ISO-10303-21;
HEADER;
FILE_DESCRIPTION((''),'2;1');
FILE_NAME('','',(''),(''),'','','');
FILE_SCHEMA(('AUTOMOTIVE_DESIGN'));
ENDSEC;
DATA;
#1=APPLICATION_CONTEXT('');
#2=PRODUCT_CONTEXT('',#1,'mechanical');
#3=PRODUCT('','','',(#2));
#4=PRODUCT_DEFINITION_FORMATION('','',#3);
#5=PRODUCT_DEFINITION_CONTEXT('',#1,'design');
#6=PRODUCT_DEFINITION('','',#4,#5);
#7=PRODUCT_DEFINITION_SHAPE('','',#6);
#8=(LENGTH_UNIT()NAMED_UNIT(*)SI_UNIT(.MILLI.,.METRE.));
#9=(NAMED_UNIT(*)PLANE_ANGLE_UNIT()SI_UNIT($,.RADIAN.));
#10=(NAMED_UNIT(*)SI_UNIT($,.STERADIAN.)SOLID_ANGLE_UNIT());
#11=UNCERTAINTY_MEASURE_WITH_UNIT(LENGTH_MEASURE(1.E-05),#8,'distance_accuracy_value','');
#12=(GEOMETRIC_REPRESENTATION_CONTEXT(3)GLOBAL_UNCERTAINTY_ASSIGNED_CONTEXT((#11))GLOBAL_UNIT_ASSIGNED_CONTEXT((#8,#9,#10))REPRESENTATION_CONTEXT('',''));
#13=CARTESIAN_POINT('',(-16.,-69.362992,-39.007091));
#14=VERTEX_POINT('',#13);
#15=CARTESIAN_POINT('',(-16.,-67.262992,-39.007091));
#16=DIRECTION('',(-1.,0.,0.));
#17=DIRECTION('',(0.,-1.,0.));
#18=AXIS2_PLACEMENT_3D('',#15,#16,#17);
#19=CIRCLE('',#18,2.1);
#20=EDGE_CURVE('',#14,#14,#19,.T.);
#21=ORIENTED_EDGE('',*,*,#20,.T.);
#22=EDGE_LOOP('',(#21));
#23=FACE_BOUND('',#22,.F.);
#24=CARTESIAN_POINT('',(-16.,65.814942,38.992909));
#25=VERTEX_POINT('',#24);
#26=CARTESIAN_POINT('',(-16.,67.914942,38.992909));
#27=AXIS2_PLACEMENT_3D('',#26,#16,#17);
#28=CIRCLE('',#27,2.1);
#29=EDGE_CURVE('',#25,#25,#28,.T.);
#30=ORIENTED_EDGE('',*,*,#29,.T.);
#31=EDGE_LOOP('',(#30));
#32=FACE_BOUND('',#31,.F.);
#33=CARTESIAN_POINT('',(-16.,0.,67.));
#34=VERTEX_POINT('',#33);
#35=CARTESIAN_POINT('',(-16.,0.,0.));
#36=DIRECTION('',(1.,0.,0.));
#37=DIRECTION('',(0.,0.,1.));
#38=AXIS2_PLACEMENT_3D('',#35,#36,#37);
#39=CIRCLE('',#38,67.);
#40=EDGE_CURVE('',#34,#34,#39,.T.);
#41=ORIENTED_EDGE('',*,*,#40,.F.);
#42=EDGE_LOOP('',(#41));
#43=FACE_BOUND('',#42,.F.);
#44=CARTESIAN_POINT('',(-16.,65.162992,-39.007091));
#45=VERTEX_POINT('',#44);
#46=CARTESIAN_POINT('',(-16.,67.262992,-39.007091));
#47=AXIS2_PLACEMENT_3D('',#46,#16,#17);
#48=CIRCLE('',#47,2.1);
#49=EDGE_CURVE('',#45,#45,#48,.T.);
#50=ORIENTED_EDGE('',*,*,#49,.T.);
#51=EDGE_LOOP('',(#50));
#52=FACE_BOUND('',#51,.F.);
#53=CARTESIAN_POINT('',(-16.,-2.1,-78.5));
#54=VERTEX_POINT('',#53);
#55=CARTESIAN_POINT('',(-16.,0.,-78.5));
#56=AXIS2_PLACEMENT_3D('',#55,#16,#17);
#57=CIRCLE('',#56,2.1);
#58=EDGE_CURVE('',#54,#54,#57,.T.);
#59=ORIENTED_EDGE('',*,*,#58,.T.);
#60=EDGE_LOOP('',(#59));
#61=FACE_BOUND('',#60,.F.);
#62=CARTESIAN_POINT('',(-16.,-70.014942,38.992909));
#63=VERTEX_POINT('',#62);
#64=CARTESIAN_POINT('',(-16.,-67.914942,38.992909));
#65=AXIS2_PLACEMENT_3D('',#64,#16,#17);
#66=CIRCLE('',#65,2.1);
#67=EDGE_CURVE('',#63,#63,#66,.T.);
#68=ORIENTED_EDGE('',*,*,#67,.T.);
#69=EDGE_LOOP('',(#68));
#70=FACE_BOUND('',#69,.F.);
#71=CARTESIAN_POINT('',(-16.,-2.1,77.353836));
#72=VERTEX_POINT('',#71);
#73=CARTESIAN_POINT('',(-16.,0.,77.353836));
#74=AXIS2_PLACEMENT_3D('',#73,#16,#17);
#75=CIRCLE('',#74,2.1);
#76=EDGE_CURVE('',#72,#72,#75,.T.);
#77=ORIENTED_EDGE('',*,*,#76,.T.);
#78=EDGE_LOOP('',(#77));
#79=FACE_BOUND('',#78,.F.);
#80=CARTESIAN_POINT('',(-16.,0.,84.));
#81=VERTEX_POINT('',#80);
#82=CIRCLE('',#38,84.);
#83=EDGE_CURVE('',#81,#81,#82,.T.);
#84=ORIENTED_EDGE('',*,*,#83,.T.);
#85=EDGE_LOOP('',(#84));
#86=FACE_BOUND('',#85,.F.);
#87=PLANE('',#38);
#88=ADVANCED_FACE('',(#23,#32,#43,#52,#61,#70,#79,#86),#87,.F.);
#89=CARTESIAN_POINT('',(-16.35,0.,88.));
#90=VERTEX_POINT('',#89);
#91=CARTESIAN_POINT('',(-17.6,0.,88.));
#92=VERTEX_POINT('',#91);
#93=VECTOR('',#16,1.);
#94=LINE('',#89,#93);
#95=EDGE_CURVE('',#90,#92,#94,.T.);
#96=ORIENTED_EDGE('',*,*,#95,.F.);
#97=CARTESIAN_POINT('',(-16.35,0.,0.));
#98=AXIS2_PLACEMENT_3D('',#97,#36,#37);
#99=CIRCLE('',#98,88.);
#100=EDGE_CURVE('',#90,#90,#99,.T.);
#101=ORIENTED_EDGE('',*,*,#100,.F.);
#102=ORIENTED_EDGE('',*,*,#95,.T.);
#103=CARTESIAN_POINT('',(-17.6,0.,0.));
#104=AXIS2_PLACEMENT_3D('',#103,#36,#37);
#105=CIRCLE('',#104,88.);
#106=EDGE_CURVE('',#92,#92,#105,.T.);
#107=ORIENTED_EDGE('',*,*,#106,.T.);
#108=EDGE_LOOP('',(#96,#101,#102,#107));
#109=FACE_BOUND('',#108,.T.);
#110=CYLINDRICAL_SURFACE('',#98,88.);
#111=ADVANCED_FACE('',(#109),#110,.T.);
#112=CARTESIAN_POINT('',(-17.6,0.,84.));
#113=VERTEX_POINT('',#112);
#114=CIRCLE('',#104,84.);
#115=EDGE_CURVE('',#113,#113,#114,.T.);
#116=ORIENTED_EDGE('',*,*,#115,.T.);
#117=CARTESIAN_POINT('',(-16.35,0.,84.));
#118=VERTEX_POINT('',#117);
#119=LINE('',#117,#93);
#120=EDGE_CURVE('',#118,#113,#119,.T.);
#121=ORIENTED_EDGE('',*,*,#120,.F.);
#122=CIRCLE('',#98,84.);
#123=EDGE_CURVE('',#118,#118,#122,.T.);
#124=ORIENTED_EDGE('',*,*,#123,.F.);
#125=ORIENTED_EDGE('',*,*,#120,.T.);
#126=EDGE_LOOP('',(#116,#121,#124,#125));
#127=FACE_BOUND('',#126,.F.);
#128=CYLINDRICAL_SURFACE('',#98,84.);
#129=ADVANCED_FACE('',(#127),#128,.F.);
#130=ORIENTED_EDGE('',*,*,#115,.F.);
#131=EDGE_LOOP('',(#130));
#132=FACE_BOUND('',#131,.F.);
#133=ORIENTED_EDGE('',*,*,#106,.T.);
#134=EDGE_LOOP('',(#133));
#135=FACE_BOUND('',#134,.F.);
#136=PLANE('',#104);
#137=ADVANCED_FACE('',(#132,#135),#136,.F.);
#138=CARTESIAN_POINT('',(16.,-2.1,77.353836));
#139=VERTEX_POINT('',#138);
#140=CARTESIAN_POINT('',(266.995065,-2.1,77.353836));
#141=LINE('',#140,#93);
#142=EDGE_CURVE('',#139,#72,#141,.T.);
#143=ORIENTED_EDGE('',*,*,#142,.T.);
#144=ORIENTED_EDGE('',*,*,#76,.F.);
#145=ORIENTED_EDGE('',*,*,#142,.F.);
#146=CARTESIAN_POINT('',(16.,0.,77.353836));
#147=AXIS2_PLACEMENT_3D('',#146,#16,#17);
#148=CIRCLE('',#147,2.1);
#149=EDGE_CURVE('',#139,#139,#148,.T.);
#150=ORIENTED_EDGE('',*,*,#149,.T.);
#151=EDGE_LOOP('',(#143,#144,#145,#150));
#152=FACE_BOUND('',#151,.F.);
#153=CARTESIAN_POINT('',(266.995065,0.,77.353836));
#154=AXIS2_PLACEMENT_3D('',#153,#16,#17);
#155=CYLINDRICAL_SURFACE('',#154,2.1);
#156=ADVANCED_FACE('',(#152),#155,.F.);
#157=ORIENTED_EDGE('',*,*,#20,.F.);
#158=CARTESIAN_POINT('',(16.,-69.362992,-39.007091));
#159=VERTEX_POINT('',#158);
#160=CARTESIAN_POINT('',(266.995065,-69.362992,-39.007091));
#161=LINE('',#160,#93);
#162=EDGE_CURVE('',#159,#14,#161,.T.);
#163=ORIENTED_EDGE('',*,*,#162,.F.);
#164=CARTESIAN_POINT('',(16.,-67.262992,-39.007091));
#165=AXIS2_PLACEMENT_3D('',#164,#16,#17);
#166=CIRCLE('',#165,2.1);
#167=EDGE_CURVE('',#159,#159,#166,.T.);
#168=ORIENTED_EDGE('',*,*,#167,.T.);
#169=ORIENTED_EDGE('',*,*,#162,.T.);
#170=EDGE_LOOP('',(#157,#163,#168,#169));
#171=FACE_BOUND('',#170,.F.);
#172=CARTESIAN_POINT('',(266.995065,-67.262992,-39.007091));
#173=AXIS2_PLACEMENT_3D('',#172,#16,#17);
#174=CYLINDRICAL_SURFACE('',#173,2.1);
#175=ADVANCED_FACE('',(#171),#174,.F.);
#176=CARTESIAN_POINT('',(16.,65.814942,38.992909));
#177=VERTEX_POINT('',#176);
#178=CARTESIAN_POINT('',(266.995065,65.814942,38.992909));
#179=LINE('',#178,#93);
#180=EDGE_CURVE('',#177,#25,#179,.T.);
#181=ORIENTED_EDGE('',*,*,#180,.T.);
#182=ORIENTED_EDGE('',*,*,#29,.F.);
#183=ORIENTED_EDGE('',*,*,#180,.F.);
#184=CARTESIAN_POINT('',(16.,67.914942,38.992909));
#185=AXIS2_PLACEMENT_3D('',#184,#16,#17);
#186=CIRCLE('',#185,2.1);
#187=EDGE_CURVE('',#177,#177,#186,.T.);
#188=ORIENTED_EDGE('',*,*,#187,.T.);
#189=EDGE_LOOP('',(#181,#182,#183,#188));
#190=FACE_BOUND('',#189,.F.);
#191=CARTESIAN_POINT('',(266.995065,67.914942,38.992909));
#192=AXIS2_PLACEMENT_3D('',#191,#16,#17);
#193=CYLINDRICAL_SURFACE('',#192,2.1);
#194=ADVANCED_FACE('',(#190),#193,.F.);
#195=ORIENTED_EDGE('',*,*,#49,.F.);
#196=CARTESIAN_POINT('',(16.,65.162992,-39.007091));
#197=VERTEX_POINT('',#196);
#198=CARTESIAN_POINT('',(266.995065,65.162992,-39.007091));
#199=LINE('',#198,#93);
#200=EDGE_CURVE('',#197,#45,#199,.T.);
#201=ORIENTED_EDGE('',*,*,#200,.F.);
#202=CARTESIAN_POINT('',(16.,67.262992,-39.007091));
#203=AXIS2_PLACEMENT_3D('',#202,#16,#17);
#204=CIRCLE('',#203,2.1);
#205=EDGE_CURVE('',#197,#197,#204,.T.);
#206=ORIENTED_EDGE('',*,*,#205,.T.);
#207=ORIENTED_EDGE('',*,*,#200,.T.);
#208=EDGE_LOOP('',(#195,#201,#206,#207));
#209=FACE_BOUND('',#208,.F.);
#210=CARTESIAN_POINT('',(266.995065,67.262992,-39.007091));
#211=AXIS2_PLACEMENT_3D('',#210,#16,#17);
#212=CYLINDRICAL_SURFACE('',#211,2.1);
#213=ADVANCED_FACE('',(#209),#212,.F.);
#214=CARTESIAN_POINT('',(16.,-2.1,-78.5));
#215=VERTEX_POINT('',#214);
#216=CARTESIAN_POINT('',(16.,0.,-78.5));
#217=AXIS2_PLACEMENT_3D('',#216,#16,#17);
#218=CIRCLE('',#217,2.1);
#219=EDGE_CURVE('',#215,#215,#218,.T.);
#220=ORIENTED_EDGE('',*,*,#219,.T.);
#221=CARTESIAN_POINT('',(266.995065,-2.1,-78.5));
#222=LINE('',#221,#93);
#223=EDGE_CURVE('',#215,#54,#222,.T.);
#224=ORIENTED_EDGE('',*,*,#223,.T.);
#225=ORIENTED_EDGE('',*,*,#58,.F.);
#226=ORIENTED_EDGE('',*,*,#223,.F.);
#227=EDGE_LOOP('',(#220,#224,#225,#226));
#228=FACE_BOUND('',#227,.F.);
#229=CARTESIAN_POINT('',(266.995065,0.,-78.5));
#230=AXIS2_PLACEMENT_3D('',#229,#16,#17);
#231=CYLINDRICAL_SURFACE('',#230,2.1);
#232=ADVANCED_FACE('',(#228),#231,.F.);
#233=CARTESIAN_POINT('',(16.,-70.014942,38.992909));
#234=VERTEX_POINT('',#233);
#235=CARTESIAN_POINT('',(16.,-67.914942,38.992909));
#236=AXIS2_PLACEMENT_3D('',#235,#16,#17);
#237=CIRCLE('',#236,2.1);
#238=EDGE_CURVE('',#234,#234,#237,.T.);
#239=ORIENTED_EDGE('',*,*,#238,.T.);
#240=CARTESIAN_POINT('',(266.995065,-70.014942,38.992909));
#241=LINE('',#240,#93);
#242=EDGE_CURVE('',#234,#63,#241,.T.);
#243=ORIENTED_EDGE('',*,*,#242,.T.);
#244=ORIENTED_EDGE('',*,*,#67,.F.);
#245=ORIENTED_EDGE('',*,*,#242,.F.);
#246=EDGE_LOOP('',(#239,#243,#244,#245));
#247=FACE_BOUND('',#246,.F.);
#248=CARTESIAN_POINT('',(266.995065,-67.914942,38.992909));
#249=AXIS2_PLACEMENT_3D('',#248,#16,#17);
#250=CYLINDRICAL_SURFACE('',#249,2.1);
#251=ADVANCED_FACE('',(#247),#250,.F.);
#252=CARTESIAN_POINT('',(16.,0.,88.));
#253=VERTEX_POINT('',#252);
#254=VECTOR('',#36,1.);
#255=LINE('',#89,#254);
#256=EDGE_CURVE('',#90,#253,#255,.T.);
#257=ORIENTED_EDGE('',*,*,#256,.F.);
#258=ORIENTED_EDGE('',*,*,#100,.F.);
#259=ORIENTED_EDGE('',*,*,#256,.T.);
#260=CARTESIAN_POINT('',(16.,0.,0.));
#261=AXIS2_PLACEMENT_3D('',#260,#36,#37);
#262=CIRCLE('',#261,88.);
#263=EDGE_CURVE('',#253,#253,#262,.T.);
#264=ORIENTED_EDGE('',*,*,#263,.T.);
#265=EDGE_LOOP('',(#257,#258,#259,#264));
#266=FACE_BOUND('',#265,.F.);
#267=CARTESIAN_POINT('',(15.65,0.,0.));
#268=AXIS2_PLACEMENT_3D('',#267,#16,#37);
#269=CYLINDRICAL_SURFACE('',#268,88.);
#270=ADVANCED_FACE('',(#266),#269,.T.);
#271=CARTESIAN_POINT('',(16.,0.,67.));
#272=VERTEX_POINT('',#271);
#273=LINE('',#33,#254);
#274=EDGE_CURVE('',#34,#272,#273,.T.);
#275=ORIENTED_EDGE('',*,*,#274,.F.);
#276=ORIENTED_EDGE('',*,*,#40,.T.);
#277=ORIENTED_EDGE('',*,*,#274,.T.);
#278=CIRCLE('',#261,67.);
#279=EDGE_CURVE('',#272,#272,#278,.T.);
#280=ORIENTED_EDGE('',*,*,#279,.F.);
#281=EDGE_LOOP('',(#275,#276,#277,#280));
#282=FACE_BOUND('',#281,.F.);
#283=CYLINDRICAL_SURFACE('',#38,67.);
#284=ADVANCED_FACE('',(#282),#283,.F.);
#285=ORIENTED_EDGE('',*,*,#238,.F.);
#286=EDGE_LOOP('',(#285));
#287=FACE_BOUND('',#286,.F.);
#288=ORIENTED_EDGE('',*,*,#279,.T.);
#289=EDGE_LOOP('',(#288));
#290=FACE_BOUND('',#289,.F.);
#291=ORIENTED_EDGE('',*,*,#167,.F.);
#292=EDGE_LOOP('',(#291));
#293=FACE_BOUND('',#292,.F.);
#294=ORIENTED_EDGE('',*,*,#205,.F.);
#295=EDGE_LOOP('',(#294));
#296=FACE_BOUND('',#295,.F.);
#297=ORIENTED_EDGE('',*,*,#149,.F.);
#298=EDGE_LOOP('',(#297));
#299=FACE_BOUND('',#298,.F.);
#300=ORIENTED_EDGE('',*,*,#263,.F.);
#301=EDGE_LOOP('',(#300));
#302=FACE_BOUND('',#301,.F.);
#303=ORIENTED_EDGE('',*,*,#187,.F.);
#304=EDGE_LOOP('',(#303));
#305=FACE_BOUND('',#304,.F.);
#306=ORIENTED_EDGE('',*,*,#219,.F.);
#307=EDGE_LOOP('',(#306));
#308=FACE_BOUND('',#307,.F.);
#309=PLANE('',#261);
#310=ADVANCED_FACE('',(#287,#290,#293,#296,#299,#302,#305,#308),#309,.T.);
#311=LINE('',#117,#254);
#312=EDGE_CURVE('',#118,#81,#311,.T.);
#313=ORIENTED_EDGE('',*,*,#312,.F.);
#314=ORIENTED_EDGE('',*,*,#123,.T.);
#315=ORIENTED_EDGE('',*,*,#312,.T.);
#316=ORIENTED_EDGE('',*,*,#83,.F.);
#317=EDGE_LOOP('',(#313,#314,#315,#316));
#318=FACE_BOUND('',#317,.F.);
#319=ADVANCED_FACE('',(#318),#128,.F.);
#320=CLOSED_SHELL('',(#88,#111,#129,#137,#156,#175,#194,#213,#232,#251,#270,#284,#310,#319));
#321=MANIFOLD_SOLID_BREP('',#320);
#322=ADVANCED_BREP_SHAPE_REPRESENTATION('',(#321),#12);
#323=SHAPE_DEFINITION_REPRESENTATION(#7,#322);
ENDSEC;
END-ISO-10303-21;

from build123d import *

# Parameters (mm, degrees)
F2_DEPTH = 0.7
F3_DEPTH = 0.35
F5_D     = 4.2
F6_DEPTH = 1.25


with BuildPart() as f1:
    # F0 (on Front) → F1 (revolve)
    with BuildSketch(Plane.XZ):
        Polygon((-16, 84), (-16, 67), (16, 67), (16, 84), (16.35, 84), (16.35, 88), (-16.35, 88), (-16.35, 84), align=None)
    revolve(axis=Axis((-7.2666932824, 0, 0), (1, 0, 0)))

    # F2 (cut): a face of the model
    f2_faces = [f1.faces().sort_by_distance(p)[0] for p in [
        (16.35, 0, -86.4890158698),
    ]]
    extrude(f2_faces, amount=-F2_DEPTH, mode=Mode.SUBTRACT)

    # F3 (add): a face of the model
    f3_faces = [f1.faces().sort_by_distance(p)[0] for p in [
        (15.65, 0, -86.4890158698),
    ]]
    extrude(f3_faces, amount=F3_DEPTH)

    # F5 (through all)
    with Locations(Plane.YZ.offset(16)):
        with Locations((-67.9149415737, 38.9929093129), (0, 77.3538361923), (67.9149415737, 38.9929093129), (67.2629921577, -39.0070906871), (0, -78.5), (-67.2629921577, -39.0070906871)):
            Hole(F5_D / 2)

    # F6 (add): a face of the model
    f6_faces = [f1.faces().sort_by_distance(p)[0] for p in [
        (-16.35, 0, -85.5109841302),
    ]]
    extrude(f6_faces, amount=F6_DEPTH)


solid = f1.part
